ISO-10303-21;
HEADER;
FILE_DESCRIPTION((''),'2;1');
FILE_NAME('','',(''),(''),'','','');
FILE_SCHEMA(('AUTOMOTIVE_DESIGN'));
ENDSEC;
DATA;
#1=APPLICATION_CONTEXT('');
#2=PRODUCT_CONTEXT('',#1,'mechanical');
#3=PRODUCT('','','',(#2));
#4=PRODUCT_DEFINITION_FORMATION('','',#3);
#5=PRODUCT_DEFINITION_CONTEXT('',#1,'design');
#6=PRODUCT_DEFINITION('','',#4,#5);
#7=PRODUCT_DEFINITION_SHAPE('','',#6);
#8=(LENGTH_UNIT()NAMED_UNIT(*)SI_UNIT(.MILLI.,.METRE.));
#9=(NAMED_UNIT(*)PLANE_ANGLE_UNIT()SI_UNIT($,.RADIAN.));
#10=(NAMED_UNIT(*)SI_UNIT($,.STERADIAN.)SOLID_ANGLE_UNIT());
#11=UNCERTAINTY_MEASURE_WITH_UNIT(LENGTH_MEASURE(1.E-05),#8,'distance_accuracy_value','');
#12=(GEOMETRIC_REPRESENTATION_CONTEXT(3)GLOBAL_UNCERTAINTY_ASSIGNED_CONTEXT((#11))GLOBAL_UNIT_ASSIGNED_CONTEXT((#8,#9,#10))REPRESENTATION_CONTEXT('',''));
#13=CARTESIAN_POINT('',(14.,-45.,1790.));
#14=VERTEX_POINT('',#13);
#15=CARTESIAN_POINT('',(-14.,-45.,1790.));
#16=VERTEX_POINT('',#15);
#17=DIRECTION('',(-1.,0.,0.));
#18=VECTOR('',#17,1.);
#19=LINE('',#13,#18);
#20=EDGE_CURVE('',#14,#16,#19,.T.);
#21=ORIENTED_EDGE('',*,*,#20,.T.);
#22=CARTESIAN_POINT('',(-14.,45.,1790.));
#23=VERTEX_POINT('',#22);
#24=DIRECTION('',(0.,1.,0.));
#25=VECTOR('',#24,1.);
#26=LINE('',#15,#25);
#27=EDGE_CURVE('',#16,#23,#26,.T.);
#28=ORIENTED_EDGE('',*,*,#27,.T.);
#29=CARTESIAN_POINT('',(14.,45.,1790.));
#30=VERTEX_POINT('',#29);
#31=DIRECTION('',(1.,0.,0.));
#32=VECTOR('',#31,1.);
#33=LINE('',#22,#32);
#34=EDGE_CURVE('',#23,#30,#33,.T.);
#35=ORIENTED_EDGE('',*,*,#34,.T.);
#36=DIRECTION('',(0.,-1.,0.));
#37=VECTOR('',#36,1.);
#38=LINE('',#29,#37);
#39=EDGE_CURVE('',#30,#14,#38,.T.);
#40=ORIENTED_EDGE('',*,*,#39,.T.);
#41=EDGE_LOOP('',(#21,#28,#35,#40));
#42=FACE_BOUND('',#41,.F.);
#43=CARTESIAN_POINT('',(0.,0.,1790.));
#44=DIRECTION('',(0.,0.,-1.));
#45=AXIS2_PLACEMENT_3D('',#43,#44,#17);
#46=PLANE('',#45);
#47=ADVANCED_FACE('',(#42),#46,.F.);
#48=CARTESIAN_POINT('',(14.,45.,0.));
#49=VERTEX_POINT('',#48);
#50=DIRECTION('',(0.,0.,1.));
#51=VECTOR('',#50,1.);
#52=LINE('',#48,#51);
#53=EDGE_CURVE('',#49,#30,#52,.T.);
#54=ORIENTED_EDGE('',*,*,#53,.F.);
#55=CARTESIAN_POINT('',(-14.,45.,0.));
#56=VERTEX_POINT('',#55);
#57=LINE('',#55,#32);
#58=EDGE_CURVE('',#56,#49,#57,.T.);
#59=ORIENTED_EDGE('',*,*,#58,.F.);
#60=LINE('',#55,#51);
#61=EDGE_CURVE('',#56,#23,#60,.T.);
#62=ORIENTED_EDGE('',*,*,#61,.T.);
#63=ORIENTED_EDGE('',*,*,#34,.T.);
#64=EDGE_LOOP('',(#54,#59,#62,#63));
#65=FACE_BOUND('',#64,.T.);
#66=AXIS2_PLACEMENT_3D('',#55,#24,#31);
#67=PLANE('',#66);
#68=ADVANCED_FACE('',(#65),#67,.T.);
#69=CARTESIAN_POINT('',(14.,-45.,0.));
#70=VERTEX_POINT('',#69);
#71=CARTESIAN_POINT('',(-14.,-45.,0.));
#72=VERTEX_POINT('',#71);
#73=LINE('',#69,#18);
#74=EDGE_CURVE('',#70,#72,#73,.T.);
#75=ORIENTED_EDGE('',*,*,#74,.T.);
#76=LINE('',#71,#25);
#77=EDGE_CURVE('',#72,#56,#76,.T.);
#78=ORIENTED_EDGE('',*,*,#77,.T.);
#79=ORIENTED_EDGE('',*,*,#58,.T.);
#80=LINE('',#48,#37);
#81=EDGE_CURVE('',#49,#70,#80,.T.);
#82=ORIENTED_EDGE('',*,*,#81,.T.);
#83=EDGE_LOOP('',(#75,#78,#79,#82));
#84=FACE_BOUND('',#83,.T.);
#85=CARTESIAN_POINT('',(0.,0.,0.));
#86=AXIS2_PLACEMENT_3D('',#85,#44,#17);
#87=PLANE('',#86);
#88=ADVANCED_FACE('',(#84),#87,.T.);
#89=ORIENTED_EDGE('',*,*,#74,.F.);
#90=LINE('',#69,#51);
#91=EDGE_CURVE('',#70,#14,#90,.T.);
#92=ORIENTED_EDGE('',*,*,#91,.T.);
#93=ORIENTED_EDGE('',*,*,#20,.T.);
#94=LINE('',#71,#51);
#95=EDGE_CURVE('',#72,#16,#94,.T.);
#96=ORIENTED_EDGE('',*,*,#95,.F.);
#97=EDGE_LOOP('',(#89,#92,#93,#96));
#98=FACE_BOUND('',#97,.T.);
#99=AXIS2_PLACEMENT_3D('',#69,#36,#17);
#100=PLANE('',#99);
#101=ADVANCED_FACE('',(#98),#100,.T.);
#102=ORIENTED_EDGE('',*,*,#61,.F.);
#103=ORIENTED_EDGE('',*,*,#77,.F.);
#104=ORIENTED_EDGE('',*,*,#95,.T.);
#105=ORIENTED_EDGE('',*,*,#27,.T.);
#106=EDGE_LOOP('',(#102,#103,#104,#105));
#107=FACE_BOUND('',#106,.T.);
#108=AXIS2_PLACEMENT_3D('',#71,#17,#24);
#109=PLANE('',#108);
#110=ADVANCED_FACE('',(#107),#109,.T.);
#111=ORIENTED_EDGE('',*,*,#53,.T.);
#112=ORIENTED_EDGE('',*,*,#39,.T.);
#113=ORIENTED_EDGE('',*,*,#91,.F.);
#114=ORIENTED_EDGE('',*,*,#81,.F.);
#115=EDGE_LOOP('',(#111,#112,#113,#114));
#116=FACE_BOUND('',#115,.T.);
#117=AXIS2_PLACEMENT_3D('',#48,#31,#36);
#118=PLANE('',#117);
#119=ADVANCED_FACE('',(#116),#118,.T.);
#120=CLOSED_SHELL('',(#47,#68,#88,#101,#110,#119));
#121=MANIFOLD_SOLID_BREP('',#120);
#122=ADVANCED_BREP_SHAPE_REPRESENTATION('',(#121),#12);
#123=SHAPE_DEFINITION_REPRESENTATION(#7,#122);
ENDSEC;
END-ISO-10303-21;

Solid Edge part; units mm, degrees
sketch "Sketch1" plane through (0, 0, 0) normal (0, 0, -1) x (-1, 0, 0)
  line L0 (-14, -45) -> (14, -45)
  line L1 (14, -45) -> (14, 45)
  line L2 (14, 45) -> (-14, 45)
  line L3 (-14, 45) -> (-14, -45)
extrude "Protrusion1" add sketch "Sketch1" against normal blind 1790
properties material "Wood, Ash"
